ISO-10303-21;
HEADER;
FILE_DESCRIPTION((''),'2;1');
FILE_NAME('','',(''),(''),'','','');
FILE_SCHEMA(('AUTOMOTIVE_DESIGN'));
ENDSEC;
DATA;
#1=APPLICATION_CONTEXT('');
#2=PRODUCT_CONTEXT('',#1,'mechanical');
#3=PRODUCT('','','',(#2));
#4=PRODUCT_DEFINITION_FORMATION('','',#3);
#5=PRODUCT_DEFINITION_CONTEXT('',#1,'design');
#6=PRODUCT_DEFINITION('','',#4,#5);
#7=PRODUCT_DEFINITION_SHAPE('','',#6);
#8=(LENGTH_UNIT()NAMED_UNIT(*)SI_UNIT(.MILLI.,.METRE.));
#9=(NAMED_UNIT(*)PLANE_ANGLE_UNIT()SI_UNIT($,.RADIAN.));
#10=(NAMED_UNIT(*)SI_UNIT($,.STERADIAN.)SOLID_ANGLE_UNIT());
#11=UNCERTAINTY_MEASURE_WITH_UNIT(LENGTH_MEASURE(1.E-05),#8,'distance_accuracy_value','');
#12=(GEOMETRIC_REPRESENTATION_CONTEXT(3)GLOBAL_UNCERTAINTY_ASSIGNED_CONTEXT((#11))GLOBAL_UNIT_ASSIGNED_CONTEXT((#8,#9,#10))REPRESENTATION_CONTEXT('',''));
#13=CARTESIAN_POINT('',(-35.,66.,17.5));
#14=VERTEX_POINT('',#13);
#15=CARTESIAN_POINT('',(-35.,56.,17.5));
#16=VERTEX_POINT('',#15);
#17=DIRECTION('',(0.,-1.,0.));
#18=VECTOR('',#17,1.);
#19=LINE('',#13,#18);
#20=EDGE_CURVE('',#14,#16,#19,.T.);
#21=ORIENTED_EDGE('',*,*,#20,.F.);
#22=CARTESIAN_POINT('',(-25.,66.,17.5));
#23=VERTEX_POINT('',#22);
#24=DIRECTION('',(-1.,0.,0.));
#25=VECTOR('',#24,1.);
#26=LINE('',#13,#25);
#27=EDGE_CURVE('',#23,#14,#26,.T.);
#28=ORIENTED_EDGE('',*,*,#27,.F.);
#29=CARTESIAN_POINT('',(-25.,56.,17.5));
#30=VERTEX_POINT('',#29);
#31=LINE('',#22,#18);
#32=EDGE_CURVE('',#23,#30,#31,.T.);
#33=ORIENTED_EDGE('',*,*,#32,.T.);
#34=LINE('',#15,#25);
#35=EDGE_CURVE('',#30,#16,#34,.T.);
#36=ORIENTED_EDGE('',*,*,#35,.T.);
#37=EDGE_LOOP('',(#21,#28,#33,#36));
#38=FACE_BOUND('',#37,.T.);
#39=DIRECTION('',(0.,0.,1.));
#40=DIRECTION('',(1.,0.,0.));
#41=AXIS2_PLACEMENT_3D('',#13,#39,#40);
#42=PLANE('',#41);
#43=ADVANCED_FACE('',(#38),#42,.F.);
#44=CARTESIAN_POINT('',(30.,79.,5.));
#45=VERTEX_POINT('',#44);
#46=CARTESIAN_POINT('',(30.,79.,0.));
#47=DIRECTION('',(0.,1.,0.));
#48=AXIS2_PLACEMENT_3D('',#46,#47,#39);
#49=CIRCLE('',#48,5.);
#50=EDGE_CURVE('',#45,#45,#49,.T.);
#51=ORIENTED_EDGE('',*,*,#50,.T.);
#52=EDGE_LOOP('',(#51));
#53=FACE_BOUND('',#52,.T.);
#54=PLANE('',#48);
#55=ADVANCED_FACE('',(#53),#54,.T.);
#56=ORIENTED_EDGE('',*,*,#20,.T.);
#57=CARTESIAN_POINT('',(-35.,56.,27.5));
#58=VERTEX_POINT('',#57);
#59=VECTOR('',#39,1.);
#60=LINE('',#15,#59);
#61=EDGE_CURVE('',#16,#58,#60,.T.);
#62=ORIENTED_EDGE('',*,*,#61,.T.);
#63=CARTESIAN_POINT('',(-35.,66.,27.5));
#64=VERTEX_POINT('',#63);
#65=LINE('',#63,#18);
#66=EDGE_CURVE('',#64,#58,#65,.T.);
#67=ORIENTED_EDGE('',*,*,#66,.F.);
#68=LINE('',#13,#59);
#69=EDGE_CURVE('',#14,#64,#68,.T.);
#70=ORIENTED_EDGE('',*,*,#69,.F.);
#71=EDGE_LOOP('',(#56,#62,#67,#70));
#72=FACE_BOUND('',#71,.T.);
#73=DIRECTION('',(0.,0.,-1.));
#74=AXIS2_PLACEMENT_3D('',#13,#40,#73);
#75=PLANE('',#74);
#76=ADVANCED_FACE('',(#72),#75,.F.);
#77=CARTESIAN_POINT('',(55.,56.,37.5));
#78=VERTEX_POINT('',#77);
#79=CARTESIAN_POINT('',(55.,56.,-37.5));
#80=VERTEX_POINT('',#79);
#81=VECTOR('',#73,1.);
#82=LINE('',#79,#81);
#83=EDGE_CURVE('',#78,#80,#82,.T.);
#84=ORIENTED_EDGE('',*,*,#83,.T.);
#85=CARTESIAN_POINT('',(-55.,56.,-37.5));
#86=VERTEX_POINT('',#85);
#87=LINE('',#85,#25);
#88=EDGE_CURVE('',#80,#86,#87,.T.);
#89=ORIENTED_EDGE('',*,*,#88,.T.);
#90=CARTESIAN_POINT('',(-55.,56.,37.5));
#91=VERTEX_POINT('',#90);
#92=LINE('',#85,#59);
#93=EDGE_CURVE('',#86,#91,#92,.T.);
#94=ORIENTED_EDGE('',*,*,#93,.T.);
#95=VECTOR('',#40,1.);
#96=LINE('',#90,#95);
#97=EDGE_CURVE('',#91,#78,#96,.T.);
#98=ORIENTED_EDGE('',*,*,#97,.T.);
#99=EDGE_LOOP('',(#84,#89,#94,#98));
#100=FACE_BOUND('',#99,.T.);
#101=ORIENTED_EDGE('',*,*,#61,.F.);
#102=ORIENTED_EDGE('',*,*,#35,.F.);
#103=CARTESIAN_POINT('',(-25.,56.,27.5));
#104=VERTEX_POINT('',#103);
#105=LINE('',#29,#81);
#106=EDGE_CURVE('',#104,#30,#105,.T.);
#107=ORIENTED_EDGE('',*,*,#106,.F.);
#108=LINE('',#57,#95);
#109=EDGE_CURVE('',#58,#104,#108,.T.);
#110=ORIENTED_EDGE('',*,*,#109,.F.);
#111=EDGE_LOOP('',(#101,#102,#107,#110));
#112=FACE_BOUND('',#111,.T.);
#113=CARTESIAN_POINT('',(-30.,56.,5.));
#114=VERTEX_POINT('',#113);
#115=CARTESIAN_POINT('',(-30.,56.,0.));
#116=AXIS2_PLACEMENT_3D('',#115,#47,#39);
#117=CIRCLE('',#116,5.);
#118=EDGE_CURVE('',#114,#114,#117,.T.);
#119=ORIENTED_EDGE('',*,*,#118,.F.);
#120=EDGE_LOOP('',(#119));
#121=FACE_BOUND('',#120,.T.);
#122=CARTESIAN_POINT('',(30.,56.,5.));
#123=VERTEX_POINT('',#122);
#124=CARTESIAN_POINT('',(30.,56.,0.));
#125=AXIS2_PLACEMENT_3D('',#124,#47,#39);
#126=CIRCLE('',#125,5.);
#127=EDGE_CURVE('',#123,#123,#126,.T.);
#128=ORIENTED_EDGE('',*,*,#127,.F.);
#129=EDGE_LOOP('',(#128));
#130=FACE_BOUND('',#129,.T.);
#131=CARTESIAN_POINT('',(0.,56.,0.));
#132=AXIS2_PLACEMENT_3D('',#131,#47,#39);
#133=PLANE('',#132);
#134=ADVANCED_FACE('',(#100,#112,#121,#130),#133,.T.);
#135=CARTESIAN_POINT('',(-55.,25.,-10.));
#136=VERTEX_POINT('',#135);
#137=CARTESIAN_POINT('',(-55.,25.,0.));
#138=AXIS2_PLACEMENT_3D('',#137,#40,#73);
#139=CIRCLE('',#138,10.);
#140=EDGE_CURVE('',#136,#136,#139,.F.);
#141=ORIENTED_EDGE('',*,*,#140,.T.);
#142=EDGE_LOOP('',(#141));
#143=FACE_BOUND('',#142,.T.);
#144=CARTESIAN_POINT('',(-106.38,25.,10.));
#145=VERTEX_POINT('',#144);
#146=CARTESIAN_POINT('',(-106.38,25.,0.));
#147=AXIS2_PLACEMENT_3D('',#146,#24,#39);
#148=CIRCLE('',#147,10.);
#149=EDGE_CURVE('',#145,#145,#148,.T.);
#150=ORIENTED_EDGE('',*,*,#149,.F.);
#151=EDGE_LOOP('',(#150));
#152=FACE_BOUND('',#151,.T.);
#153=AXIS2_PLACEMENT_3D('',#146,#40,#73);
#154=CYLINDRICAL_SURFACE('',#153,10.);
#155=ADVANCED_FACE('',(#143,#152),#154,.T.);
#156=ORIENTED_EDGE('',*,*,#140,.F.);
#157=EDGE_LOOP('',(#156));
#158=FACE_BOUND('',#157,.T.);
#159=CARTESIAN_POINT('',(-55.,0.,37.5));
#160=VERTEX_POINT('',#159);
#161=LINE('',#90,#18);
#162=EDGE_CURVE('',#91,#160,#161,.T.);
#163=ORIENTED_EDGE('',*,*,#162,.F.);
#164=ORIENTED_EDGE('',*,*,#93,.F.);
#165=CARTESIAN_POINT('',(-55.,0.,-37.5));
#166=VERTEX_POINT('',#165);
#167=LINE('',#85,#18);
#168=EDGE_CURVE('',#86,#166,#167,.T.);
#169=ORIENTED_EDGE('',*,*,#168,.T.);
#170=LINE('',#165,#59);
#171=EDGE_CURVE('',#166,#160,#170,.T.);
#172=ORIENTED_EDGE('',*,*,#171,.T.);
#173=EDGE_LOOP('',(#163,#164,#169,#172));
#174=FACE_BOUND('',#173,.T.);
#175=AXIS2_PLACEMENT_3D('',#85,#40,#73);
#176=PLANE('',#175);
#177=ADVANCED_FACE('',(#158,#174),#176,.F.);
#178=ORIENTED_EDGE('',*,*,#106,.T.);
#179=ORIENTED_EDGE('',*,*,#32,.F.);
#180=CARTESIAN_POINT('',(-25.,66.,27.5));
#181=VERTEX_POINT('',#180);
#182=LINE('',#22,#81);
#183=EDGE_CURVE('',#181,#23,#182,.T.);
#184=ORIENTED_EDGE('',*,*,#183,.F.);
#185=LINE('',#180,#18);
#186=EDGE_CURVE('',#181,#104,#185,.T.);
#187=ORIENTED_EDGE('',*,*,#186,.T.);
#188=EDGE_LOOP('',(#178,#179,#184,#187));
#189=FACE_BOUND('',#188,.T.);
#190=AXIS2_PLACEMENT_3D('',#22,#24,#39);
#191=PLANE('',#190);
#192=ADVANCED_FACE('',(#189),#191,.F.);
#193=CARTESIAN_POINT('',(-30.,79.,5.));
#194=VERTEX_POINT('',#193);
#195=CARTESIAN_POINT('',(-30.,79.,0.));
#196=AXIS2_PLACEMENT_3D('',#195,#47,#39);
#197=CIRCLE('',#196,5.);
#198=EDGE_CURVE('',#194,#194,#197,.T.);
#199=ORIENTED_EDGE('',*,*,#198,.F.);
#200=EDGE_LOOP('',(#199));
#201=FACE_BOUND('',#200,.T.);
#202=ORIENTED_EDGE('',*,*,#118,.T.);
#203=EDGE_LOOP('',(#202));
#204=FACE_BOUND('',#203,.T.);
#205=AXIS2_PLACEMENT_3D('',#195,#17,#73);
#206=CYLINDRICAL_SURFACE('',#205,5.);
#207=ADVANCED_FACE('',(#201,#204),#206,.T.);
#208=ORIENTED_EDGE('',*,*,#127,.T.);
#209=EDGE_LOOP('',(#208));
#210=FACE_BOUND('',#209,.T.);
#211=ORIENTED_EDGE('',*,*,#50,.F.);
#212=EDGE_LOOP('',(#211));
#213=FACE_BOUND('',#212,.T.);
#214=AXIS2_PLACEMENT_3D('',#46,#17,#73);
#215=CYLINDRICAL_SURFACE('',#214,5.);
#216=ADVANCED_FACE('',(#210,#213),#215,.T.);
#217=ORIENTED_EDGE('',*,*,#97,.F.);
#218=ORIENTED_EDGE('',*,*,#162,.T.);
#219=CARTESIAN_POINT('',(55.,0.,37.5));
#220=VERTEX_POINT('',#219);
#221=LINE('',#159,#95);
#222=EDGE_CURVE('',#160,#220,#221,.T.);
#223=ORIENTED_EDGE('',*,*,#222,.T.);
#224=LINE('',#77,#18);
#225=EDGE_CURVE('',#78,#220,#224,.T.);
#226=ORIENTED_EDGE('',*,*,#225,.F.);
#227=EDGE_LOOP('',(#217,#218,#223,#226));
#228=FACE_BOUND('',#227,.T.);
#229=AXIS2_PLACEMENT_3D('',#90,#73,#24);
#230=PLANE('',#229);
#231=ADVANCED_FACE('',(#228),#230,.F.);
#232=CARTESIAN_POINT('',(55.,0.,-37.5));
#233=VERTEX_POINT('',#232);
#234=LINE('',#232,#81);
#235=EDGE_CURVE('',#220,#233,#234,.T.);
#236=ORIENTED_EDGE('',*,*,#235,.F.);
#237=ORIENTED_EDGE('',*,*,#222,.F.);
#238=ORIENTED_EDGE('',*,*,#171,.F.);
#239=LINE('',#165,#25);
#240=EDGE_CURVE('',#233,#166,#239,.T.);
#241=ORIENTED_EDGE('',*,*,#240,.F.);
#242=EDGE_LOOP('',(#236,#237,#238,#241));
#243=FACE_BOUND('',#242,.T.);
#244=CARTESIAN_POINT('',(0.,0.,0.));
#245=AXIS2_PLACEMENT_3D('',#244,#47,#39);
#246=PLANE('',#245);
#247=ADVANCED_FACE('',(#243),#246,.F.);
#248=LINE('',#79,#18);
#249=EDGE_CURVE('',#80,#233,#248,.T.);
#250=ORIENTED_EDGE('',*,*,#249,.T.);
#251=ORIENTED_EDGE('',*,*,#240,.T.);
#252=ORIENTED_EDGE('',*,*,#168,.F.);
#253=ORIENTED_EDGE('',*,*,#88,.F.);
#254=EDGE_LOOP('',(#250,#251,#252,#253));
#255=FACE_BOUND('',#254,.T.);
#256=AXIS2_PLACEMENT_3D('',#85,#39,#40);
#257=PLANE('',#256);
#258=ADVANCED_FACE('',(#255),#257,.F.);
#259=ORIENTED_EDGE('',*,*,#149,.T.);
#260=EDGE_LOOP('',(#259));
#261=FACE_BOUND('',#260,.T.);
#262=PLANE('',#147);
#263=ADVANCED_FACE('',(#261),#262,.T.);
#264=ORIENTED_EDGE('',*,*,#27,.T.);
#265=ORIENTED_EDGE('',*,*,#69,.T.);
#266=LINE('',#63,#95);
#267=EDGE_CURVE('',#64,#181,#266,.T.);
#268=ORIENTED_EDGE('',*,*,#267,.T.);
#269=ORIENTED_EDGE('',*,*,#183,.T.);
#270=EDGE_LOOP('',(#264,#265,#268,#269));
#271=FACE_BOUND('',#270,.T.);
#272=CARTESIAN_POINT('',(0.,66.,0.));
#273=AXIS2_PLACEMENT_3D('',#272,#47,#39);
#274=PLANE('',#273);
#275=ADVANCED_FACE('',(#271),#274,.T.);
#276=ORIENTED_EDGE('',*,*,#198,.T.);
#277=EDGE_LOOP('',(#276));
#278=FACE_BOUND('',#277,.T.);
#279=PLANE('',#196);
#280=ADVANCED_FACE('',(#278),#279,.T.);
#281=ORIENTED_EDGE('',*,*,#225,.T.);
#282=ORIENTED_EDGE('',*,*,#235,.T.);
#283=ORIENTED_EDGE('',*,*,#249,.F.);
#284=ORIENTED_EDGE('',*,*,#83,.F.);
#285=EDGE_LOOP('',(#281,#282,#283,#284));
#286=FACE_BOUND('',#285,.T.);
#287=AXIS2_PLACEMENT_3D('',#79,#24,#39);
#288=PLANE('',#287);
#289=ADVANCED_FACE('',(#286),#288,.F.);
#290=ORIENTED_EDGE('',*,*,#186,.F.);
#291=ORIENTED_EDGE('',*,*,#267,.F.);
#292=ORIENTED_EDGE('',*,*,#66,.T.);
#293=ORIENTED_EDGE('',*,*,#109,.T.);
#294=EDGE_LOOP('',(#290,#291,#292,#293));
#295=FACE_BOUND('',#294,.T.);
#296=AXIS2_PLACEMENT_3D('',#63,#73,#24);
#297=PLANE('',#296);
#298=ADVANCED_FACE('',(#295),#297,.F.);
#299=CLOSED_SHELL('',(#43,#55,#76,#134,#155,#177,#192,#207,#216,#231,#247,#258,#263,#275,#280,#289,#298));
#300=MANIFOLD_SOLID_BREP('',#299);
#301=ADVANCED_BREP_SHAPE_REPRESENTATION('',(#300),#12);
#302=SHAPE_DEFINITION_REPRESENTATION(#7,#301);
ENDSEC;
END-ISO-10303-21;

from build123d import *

# Parameters (mm, degrees)
SKETCH2_W           = 110
SKETCH2_H           = 75
BASE_DEPTH          = 56
SKETCH3_R           = 5
HV_CONNECTORS_DEPTH = 23
SKETCH4_R           = 10
LV_CONNECTOR_DEPTH  = 51.38
SKETCH5_W           = 10
SKETCH5_H           = 10
HV_CONNECTOR_DEPTH  = 10


with BuildPart() as part:
    # Sketch2 → Base (new body)
    with BuildSketch(Plane(origin=(0, 0, 0), x_dir=(1, 0, 0), z_dir=(0, 1, 0))):
        Rectangle(SKETCH2_W, SKETCH2_H)
    extrude(amount=BASE_DEPTH)

    # Sketch3 → HV- Connectors (add)
    with BuildSketch(Plane(origin=(0, 56, 0), x_dir=(1, 0, 0), z_dir=(0, 1, 0))):
        with Locations((30, 0)):
            Circle(SKETCH3_R)
        with Locations((-30, 0)):
            Circle(SKETCH3_R)
    extrude(amount=HV_CONNECTORS_DEPTH)

    # Sketch4 → LV Connector (add)
    with BuildSketch(Plane.ZY.offset(55)):
        with Locations((0, 25)):
            Circle(SKETCH4_R)
    extrude(amount=LV_CONNECTOR_DEPTH)

    # Sketch5 → HV+ Connector (add)
    with BuildSketch(Plane(origin=(0, 56, 0), x_dir=(1, 0, 0), z_dir=(0, 1, 0))):
        with Locations((-30, -22.5)):
            Rectangle(SKETCH5_W, SKETCH5_H)
    extrude(amount=HV_CONNECTOR_DEPTH)


solid = part.part
